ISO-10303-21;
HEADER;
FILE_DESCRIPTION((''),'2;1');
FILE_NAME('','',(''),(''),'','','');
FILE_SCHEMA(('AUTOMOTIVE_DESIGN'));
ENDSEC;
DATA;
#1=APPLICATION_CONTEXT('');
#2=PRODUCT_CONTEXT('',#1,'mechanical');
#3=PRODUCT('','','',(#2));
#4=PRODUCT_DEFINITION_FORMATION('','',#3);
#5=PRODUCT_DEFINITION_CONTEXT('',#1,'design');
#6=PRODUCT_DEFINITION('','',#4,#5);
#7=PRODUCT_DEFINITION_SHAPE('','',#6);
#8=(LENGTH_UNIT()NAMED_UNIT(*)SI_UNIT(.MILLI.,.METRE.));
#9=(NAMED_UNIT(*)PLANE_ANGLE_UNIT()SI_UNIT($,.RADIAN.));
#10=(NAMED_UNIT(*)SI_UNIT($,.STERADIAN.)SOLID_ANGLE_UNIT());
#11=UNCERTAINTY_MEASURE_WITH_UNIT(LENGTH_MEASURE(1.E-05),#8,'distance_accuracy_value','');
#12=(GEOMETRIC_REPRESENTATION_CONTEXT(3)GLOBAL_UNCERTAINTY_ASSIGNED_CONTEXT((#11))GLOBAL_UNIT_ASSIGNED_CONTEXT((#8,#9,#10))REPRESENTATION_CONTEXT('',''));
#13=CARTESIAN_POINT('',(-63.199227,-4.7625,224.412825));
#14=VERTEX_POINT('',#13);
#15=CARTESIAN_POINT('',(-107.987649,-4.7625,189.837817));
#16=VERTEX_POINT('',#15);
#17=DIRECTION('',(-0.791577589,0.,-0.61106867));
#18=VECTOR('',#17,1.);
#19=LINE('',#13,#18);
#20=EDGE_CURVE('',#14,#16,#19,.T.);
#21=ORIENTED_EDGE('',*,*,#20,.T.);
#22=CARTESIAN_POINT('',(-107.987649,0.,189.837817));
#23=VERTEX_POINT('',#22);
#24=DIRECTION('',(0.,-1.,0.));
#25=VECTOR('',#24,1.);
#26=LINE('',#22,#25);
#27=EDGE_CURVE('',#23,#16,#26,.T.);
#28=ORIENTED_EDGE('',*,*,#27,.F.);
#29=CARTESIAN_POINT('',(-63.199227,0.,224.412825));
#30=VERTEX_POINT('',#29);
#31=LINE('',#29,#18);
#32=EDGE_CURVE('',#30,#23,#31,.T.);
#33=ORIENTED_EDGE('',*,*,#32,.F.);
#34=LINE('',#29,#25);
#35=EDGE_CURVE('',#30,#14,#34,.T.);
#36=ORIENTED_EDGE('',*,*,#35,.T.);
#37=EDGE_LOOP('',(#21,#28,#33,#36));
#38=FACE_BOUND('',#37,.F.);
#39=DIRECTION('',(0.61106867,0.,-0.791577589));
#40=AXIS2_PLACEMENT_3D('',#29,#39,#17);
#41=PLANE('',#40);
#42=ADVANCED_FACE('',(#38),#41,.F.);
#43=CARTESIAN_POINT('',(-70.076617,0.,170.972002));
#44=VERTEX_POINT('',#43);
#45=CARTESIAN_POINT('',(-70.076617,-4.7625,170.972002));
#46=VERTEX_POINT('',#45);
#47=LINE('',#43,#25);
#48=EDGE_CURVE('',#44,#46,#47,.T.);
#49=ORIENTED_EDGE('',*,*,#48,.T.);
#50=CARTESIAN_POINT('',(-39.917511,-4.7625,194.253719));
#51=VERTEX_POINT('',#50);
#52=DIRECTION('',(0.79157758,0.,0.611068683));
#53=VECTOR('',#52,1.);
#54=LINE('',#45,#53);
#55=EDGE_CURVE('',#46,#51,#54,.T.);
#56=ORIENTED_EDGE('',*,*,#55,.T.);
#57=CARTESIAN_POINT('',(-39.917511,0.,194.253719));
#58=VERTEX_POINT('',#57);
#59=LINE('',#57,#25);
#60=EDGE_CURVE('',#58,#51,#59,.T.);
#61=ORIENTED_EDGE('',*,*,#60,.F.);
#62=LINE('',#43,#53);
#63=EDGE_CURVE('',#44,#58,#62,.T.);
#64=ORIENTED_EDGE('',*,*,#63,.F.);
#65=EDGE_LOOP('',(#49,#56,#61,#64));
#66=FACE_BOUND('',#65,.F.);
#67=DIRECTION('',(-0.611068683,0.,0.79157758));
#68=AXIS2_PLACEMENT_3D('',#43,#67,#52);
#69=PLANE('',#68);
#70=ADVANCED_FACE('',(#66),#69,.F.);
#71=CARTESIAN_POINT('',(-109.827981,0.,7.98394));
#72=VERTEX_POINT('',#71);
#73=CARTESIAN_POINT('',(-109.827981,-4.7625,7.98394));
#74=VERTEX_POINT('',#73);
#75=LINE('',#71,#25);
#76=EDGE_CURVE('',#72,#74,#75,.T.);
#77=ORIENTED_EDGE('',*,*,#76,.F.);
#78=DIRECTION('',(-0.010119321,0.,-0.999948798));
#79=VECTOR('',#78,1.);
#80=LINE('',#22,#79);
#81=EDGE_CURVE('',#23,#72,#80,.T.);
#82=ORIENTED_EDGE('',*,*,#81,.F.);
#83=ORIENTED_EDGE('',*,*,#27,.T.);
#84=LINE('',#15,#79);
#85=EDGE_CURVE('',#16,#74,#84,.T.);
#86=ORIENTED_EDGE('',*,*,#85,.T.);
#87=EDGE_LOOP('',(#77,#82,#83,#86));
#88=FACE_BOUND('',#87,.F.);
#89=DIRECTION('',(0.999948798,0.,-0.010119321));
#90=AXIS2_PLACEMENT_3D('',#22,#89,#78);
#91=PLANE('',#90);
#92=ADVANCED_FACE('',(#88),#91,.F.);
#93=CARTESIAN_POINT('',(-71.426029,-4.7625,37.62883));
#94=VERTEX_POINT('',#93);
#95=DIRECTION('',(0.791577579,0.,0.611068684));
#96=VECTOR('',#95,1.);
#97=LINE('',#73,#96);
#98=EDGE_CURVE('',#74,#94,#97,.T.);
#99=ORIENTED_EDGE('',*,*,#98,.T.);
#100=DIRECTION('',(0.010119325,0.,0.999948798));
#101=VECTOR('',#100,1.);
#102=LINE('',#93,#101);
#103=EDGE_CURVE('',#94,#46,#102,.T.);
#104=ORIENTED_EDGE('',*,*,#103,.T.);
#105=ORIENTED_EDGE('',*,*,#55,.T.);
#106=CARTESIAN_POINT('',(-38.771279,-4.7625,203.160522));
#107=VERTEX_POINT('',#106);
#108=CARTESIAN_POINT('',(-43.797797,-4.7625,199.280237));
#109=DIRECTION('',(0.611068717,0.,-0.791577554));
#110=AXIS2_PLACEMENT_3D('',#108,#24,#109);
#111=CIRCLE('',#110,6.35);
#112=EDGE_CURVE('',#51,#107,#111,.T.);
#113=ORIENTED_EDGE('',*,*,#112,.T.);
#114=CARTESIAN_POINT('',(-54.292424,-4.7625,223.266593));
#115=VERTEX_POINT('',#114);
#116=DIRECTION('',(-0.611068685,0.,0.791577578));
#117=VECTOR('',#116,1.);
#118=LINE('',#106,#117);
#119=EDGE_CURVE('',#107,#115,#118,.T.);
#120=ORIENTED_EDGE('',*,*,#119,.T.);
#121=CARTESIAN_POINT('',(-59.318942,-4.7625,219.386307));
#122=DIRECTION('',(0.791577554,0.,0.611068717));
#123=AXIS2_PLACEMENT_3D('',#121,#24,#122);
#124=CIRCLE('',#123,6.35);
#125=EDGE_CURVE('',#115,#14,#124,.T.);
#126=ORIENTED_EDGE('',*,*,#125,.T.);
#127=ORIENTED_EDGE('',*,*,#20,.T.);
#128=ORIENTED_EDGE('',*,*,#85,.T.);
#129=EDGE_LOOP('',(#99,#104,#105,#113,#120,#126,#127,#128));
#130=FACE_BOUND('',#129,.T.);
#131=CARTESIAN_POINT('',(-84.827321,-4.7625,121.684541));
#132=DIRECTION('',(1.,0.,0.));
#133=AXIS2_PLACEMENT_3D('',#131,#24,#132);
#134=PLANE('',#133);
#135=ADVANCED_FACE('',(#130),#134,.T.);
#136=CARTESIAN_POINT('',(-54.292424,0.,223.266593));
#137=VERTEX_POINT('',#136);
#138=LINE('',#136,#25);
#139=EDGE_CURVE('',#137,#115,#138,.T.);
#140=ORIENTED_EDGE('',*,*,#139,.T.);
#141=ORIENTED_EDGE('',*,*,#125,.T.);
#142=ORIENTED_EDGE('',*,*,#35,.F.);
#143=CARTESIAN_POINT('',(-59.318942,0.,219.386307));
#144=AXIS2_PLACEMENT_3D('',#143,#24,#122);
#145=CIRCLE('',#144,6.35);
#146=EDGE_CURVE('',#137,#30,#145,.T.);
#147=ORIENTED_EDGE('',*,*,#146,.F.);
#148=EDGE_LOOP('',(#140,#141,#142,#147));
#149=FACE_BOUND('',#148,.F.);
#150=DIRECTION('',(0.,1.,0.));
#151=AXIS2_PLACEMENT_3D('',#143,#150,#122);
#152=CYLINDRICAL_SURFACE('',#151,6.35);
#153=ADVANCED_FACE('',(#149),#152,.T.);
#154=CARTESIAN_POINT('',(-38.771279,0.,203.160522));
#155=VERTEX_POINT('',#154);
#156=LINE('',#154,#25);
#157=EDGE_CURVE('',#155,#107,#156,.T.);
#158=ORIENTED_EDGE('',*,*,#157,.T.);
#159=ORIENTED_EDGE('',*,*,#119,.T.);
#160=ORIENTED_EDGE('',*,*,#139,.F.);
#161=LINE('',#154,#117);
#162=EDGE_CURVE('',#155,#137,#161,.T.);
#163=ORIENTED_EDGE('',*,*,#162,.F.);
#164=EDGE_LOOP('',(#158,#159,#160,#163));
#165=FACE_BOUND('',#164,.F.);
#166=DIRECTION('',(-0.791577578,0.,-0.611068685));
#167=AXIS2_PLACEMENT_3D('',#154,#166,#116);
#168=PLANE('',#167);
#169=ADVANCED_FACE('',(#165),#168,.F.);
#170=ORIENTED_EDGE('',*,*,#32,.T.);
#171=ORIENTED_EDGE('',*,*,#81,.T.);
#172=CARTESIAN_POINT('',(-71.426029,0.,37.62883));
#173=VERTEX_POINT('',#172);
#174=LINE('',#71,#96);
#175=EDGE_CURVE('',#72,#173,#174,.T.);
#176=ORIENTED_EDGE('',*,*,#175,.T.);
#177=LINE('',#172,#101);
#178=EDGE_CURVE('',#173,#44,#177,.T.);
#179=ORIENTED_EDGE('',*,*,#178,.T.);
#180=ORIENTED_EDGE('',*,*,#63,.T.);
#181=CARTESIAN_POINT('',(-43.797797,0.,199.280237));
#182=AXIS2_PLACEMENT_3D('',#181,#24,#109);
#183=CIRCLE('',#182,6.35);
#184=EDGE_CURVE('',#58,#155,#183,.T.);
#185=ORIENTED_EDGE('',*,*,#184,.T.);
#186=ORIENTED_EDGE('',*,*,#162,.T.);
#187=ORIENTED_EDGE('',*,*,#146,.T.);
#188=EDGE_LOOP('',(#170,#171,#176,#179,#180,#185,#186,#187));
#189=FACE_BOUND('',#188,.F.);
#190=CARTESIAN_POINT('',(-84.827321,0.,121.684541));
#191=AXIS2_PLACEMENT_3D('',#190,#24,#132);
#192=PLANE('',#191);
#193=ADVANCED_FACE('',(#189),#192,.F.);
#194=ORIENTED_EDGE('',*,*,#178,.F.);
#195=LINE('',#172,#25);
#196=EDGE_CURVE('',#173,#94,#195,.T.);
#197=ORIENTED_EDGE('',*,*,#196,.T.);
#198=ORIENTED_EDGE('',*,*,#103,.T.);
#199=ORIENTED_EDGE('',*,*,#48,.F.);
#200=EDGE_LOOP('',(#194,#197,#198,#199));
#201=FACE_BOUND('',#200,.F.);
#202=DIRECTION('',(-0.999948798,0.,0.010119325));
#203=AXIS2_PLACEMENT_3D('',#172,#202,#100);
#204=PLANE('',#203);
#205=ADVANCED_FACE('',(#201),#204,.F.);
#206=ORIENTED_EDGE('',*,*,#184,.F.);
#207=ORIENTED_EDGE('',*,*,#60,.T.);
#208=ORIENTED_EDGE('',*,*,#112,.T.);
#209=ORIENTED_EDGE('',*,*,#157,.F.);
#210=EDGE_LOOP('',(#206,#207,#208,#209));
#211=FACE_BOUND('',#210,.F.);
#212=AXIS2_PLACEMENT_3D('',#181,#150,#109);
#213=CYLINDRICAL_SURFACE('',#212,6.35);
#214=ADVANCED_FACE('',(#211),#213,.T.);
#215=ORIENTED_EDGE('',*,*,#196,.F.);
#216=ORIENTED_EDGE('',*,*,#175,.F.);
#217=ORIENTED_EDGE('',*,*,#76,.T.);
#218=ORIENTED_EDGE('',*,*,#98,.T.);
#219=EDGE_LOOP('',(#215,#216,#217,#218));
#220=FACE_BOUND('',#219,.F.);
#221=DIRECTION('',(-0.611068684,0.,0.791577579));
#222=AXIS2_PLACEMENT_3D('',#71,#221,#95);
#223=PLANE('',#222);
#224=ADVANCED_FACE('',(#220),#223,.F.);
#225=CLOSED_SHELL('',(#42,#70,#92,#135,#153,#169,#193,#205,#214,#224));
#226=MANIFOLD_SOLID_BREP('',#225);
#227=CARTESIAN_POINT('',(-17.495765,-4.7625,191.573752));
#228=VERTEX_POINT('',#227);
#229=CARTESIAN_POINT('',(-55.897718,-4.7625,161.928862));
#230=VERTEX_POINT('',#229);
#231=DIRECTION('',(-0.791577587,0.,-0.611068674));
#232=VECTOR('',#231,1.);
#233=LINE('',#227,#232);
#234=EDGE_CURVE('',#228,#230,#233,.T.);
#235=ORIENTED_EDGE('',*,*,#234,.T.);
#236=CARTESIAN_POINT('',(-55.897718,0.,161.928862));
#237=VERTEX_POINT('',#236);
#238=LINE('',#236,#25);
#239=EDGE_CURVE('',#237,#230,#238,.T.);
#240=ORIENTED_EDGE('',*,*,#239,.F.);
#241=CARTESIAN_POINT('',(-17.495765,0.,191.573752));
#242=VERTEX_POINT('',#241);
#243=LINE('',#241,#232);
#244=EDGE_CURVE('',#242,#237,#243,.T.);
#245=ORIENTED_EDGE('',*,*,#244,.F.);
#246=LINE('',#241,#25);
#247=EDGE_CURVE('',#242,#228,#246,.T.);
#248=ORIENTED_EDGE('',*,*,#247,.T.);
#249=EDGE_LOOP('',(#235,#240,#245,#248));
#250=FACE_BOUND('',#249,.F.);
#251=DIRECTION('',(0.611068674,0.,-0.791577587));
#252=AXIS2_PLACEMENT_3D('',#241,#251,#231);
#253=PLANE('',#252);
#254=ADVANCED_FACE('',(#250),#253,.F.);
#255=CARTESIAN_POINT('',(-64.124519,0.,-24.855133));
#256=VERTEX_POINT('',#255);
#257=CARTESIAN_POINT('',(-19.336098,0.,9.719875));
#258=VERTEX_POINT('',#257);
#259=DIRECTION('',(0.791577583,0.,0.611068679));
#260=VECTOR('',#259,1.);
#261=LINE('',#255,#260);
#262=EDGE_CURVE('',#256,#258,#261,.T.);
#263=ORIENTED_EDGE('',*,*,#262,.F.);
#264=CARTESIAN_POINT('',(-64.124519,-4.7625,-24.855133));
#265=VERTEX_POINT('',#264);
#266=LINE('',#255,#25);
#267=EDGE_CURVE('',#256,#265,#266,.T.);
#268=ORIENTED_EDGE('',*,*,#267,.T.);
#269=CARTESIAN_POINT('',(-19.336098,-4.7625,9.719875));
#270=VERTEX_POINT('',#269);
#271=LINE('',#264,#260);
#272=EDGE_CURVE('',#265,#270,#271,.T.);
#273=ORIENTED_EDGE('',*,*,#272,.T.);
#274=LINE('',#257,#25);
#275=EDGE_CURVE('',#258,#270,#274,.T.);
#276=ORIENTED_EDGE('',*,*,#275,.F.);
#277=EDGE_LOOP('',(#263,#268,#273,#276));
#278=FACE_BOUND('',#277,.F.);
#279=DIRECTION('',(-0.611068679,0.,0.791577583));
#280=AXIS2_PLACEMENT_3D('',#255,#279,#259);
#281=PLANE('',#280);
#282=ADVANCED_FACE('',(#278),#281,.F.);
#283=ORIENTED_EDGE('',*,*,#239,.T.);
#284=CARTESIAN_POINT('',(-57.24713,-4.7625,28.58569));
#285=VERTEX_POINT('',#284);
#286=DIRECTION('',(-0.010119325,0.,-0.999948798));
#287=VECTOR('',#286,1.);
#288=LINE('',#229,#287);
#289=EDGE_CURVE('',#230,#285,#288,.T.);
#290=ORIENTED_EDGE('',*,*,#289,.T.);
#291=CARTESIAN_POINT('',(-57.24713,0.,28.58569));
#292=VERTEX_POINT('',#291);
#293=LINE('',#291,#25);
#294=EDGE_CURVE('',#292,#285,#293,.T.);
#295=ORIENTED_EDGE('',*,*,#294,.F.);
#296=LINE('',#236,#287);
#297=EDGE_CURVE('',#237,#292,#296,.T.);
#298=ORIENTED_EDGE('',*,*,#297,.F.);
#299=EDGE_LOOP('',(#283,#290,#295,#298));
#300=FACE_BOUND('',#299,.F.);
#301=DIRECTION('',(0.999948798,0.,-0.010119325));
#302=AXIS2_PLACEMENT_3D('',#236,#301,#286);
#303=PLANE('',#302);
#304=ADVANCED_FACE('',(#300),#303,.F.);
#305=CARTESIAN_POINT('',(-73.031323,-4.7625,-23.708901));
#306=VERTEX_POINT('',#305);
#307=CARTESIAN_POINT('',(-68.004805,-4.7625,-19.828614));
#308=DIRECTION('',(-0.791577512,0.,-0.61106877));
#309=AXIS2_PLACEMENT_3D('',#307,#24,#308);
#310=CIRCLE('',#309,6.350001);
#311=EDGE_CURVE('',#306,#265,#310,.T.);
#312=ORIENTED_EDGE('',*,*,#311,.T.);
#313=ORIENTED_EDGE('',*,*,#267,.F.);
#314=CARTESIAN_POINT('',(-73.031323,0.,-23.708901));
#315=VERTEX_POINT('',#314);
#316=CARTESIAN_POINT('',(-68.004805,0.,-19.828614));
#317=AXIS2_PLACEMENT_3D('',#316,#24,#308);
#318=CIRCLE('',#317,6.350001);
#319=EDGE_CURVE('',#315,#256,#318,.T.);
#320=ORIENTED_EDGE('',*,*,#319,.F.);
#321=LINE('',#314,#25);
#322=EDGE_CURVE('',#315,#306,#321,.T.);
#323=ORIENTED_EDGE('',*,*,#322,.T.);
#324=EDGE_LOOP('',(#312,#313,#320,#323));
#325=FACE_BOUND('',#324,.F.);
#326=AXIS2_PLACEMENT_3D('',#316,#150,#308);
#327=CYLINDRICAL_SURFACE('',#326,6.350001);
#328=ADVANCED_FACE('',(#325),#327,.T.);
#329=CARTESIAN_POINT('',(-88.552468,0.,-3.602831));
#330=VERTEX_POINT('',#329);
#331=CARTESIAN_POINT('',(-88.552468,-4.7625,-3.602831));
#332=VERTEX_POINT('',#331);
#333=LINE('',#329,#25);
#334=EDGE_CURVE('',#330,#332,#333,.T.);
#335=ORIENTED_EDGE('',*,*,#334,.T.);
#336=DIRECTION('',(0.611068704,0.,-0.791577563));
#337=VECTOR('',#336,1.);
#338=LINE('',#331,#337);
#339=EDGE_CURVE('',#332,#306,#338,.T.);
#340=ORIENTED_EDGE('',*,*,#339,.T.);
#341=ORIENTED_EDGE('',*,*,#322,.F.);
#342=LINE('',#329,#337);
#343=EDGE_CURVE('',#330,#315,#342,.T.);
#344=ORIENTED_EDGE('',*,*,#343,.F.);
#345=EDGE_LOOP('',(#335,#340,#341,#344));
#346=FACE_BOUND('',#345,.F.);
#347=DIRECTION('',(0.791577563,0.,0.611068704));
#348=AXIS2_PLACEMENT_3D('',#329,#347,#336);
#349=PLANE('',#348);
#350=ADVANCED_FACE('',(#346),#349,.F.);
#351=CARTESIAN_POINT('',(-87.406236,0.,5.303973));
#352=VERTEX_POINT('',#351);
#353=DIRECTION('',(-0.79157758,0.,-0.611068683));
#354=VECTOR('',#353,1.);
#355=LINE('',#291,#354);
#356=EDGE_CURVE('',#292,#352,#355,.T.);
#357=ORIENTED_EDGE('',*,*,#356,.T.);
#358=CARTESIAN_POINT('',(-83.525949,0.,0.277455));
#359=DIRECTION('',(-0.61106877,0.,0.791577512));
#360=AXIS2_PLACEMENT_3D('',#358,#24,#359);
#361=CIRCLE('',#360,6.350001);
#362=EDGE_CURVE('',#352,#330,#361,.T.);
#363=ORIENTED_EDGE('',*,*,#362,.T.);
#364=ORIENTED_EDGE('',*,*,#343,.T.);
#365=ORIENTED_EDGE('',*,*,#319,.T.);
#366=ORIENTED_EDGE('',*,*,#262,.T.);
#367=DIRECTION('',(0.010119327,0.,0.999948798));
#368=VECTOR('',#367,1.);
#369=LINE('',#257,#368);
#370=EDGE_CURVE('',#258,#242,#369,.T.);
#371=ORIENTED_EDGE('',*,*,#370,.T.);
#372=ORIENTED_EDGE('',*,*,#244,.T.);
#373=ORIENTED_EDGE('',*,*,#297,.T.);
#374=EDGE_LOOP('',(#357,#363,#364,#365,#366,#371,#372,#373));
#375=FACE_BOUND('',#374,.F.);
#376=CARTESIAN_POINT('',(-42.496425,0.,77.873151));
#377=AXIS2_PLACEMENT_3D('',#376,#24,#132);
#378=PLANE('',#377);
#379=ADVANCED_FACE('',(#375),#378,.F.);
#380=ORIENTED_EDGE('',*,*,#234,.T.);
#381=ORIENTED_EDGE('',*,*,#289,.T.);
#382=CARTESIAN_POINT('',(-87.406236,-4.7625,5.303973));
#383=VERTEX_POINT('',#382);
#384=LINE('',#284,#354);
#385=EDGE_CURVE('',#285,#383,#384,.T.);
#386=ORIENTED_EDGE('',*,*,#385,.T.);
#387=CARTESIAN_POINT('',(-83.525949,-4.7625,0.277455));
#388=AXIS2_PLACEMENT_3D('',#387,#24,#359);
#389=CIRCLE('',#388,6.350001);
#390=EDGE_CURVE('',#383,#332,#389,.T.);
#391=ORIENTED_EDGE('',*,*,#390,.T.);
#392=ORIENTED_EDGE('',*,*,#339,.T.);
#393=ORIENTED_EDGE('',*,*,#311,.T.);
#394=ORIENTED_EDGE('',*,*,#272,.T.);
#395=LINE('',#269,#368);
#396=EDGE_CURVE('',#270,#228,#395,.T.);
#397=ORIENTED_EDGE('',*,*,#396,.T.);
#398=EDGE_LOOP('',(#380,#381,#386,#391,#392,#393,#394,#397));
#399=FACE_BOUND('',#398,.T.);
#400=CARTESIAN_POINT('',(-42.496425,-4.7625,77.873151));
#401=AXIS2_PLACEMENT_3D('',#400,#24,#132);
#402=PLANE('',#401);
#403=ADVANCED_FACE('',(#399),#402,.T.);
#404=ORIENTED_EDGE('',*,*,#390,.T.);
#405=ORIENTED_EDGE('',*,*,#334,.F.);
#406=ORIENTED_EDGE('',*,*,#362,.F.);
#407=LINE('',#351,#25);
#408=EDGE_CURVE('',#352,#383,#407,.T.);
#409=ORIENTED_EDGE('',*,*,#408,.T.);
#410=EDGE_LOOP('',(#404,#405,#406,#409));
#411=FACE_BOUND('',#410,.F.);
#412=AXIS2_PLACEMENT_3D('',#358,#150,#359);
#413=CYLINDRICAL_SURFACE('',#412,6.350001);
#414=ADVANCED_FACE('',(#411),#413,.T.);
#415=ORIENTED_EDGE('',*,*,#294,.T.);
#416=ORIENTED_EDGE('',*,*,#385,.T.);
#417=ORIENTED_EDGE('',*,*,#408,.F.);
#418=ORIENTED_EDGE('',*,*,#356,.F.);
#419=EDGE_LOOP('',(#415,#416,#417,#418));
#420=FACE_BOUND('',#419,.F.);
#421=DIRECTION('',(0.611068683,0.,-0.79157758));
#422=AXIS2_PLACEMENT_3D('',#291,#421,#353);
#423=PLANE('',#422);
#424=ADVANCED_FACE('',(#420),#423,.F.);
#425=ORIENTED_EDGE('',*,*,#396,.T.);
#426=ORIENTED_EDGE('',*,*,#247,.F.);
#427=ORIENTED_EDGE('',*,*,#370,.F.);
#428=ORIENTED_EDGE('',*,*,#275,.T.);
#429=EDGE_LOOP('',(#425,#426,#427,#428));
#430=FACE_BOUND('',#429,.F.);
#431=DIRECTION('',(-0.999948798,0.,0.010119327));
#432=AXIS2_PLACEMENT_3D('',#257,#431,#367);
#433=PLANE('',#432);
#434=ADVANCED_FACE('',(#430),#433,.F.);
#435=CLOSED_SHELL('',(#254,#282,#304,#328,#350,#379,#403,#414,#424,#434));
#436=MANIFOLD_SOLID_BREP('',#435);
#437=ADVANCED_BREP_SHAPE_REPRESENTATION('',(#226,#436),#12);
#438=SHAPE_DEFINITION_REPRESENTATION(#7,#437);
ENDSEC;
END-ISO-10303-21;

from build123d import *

# Parameters (mm, degrees)
F1_DEPTH = 4.7625


with BuildPart() as f1:
    # F0 (on Front) → F1 (new body)
    with BuildSketch(Plane.XZ):
        with BuildLine():
            Line((-57.24713, 28.58569), (-87.406236, 5.303973))
            ThreePointArc((-87.406236, 5.303973), (-89.824011, 1.087964), (-88.552468, -3.602831))
            Line((-88.552468, -3.602831), (-73.031323, -23.708901))
            ThreePointArc((-73.031323, -23.708901), (-68.815314, -26.126676), (-64.124519, -24.855133))
            Line((-64.124519, -24.855133), (-19.336098, 9.719875))
            Line((-19.336098, 9.719875), (-17.495765, 191.573752))
            Line((-17.495765, 191.573752), (-55.897718, 161.928862))
            Line((-55.897718, 161.928862), (-57.24713, 28.58569))
        make_face()
        with BuildLine():
            Line((-38.771279, 203.160522), (-54.292424, 223.266593))
            ThreePointArc((-54.292424, 223.266593), (-58.508433, 225.684368), (-63.199227, 224.412825))
            Line((-63.199227, 224.412825), (-107.987649, 189.837817))
            Line((-107.987649, 189.837817), (-109.827981, 7.98394))
            Line((-109.827981, 7.98394), (-71.426029, 37.62883))
            Line((-71.426029, 37.62883), (-70.076617, 170.972002))
            Line((-70.076617, 170.972002), (-39.917511, 194.253719))
            ThreePointArc((-39.917511, 194.253719), (-37.499736, 198.469728), (-38.771279, 203.160522))
        make_face()
    extrude(amount=F1_DEPTH)


solid = f1.part
